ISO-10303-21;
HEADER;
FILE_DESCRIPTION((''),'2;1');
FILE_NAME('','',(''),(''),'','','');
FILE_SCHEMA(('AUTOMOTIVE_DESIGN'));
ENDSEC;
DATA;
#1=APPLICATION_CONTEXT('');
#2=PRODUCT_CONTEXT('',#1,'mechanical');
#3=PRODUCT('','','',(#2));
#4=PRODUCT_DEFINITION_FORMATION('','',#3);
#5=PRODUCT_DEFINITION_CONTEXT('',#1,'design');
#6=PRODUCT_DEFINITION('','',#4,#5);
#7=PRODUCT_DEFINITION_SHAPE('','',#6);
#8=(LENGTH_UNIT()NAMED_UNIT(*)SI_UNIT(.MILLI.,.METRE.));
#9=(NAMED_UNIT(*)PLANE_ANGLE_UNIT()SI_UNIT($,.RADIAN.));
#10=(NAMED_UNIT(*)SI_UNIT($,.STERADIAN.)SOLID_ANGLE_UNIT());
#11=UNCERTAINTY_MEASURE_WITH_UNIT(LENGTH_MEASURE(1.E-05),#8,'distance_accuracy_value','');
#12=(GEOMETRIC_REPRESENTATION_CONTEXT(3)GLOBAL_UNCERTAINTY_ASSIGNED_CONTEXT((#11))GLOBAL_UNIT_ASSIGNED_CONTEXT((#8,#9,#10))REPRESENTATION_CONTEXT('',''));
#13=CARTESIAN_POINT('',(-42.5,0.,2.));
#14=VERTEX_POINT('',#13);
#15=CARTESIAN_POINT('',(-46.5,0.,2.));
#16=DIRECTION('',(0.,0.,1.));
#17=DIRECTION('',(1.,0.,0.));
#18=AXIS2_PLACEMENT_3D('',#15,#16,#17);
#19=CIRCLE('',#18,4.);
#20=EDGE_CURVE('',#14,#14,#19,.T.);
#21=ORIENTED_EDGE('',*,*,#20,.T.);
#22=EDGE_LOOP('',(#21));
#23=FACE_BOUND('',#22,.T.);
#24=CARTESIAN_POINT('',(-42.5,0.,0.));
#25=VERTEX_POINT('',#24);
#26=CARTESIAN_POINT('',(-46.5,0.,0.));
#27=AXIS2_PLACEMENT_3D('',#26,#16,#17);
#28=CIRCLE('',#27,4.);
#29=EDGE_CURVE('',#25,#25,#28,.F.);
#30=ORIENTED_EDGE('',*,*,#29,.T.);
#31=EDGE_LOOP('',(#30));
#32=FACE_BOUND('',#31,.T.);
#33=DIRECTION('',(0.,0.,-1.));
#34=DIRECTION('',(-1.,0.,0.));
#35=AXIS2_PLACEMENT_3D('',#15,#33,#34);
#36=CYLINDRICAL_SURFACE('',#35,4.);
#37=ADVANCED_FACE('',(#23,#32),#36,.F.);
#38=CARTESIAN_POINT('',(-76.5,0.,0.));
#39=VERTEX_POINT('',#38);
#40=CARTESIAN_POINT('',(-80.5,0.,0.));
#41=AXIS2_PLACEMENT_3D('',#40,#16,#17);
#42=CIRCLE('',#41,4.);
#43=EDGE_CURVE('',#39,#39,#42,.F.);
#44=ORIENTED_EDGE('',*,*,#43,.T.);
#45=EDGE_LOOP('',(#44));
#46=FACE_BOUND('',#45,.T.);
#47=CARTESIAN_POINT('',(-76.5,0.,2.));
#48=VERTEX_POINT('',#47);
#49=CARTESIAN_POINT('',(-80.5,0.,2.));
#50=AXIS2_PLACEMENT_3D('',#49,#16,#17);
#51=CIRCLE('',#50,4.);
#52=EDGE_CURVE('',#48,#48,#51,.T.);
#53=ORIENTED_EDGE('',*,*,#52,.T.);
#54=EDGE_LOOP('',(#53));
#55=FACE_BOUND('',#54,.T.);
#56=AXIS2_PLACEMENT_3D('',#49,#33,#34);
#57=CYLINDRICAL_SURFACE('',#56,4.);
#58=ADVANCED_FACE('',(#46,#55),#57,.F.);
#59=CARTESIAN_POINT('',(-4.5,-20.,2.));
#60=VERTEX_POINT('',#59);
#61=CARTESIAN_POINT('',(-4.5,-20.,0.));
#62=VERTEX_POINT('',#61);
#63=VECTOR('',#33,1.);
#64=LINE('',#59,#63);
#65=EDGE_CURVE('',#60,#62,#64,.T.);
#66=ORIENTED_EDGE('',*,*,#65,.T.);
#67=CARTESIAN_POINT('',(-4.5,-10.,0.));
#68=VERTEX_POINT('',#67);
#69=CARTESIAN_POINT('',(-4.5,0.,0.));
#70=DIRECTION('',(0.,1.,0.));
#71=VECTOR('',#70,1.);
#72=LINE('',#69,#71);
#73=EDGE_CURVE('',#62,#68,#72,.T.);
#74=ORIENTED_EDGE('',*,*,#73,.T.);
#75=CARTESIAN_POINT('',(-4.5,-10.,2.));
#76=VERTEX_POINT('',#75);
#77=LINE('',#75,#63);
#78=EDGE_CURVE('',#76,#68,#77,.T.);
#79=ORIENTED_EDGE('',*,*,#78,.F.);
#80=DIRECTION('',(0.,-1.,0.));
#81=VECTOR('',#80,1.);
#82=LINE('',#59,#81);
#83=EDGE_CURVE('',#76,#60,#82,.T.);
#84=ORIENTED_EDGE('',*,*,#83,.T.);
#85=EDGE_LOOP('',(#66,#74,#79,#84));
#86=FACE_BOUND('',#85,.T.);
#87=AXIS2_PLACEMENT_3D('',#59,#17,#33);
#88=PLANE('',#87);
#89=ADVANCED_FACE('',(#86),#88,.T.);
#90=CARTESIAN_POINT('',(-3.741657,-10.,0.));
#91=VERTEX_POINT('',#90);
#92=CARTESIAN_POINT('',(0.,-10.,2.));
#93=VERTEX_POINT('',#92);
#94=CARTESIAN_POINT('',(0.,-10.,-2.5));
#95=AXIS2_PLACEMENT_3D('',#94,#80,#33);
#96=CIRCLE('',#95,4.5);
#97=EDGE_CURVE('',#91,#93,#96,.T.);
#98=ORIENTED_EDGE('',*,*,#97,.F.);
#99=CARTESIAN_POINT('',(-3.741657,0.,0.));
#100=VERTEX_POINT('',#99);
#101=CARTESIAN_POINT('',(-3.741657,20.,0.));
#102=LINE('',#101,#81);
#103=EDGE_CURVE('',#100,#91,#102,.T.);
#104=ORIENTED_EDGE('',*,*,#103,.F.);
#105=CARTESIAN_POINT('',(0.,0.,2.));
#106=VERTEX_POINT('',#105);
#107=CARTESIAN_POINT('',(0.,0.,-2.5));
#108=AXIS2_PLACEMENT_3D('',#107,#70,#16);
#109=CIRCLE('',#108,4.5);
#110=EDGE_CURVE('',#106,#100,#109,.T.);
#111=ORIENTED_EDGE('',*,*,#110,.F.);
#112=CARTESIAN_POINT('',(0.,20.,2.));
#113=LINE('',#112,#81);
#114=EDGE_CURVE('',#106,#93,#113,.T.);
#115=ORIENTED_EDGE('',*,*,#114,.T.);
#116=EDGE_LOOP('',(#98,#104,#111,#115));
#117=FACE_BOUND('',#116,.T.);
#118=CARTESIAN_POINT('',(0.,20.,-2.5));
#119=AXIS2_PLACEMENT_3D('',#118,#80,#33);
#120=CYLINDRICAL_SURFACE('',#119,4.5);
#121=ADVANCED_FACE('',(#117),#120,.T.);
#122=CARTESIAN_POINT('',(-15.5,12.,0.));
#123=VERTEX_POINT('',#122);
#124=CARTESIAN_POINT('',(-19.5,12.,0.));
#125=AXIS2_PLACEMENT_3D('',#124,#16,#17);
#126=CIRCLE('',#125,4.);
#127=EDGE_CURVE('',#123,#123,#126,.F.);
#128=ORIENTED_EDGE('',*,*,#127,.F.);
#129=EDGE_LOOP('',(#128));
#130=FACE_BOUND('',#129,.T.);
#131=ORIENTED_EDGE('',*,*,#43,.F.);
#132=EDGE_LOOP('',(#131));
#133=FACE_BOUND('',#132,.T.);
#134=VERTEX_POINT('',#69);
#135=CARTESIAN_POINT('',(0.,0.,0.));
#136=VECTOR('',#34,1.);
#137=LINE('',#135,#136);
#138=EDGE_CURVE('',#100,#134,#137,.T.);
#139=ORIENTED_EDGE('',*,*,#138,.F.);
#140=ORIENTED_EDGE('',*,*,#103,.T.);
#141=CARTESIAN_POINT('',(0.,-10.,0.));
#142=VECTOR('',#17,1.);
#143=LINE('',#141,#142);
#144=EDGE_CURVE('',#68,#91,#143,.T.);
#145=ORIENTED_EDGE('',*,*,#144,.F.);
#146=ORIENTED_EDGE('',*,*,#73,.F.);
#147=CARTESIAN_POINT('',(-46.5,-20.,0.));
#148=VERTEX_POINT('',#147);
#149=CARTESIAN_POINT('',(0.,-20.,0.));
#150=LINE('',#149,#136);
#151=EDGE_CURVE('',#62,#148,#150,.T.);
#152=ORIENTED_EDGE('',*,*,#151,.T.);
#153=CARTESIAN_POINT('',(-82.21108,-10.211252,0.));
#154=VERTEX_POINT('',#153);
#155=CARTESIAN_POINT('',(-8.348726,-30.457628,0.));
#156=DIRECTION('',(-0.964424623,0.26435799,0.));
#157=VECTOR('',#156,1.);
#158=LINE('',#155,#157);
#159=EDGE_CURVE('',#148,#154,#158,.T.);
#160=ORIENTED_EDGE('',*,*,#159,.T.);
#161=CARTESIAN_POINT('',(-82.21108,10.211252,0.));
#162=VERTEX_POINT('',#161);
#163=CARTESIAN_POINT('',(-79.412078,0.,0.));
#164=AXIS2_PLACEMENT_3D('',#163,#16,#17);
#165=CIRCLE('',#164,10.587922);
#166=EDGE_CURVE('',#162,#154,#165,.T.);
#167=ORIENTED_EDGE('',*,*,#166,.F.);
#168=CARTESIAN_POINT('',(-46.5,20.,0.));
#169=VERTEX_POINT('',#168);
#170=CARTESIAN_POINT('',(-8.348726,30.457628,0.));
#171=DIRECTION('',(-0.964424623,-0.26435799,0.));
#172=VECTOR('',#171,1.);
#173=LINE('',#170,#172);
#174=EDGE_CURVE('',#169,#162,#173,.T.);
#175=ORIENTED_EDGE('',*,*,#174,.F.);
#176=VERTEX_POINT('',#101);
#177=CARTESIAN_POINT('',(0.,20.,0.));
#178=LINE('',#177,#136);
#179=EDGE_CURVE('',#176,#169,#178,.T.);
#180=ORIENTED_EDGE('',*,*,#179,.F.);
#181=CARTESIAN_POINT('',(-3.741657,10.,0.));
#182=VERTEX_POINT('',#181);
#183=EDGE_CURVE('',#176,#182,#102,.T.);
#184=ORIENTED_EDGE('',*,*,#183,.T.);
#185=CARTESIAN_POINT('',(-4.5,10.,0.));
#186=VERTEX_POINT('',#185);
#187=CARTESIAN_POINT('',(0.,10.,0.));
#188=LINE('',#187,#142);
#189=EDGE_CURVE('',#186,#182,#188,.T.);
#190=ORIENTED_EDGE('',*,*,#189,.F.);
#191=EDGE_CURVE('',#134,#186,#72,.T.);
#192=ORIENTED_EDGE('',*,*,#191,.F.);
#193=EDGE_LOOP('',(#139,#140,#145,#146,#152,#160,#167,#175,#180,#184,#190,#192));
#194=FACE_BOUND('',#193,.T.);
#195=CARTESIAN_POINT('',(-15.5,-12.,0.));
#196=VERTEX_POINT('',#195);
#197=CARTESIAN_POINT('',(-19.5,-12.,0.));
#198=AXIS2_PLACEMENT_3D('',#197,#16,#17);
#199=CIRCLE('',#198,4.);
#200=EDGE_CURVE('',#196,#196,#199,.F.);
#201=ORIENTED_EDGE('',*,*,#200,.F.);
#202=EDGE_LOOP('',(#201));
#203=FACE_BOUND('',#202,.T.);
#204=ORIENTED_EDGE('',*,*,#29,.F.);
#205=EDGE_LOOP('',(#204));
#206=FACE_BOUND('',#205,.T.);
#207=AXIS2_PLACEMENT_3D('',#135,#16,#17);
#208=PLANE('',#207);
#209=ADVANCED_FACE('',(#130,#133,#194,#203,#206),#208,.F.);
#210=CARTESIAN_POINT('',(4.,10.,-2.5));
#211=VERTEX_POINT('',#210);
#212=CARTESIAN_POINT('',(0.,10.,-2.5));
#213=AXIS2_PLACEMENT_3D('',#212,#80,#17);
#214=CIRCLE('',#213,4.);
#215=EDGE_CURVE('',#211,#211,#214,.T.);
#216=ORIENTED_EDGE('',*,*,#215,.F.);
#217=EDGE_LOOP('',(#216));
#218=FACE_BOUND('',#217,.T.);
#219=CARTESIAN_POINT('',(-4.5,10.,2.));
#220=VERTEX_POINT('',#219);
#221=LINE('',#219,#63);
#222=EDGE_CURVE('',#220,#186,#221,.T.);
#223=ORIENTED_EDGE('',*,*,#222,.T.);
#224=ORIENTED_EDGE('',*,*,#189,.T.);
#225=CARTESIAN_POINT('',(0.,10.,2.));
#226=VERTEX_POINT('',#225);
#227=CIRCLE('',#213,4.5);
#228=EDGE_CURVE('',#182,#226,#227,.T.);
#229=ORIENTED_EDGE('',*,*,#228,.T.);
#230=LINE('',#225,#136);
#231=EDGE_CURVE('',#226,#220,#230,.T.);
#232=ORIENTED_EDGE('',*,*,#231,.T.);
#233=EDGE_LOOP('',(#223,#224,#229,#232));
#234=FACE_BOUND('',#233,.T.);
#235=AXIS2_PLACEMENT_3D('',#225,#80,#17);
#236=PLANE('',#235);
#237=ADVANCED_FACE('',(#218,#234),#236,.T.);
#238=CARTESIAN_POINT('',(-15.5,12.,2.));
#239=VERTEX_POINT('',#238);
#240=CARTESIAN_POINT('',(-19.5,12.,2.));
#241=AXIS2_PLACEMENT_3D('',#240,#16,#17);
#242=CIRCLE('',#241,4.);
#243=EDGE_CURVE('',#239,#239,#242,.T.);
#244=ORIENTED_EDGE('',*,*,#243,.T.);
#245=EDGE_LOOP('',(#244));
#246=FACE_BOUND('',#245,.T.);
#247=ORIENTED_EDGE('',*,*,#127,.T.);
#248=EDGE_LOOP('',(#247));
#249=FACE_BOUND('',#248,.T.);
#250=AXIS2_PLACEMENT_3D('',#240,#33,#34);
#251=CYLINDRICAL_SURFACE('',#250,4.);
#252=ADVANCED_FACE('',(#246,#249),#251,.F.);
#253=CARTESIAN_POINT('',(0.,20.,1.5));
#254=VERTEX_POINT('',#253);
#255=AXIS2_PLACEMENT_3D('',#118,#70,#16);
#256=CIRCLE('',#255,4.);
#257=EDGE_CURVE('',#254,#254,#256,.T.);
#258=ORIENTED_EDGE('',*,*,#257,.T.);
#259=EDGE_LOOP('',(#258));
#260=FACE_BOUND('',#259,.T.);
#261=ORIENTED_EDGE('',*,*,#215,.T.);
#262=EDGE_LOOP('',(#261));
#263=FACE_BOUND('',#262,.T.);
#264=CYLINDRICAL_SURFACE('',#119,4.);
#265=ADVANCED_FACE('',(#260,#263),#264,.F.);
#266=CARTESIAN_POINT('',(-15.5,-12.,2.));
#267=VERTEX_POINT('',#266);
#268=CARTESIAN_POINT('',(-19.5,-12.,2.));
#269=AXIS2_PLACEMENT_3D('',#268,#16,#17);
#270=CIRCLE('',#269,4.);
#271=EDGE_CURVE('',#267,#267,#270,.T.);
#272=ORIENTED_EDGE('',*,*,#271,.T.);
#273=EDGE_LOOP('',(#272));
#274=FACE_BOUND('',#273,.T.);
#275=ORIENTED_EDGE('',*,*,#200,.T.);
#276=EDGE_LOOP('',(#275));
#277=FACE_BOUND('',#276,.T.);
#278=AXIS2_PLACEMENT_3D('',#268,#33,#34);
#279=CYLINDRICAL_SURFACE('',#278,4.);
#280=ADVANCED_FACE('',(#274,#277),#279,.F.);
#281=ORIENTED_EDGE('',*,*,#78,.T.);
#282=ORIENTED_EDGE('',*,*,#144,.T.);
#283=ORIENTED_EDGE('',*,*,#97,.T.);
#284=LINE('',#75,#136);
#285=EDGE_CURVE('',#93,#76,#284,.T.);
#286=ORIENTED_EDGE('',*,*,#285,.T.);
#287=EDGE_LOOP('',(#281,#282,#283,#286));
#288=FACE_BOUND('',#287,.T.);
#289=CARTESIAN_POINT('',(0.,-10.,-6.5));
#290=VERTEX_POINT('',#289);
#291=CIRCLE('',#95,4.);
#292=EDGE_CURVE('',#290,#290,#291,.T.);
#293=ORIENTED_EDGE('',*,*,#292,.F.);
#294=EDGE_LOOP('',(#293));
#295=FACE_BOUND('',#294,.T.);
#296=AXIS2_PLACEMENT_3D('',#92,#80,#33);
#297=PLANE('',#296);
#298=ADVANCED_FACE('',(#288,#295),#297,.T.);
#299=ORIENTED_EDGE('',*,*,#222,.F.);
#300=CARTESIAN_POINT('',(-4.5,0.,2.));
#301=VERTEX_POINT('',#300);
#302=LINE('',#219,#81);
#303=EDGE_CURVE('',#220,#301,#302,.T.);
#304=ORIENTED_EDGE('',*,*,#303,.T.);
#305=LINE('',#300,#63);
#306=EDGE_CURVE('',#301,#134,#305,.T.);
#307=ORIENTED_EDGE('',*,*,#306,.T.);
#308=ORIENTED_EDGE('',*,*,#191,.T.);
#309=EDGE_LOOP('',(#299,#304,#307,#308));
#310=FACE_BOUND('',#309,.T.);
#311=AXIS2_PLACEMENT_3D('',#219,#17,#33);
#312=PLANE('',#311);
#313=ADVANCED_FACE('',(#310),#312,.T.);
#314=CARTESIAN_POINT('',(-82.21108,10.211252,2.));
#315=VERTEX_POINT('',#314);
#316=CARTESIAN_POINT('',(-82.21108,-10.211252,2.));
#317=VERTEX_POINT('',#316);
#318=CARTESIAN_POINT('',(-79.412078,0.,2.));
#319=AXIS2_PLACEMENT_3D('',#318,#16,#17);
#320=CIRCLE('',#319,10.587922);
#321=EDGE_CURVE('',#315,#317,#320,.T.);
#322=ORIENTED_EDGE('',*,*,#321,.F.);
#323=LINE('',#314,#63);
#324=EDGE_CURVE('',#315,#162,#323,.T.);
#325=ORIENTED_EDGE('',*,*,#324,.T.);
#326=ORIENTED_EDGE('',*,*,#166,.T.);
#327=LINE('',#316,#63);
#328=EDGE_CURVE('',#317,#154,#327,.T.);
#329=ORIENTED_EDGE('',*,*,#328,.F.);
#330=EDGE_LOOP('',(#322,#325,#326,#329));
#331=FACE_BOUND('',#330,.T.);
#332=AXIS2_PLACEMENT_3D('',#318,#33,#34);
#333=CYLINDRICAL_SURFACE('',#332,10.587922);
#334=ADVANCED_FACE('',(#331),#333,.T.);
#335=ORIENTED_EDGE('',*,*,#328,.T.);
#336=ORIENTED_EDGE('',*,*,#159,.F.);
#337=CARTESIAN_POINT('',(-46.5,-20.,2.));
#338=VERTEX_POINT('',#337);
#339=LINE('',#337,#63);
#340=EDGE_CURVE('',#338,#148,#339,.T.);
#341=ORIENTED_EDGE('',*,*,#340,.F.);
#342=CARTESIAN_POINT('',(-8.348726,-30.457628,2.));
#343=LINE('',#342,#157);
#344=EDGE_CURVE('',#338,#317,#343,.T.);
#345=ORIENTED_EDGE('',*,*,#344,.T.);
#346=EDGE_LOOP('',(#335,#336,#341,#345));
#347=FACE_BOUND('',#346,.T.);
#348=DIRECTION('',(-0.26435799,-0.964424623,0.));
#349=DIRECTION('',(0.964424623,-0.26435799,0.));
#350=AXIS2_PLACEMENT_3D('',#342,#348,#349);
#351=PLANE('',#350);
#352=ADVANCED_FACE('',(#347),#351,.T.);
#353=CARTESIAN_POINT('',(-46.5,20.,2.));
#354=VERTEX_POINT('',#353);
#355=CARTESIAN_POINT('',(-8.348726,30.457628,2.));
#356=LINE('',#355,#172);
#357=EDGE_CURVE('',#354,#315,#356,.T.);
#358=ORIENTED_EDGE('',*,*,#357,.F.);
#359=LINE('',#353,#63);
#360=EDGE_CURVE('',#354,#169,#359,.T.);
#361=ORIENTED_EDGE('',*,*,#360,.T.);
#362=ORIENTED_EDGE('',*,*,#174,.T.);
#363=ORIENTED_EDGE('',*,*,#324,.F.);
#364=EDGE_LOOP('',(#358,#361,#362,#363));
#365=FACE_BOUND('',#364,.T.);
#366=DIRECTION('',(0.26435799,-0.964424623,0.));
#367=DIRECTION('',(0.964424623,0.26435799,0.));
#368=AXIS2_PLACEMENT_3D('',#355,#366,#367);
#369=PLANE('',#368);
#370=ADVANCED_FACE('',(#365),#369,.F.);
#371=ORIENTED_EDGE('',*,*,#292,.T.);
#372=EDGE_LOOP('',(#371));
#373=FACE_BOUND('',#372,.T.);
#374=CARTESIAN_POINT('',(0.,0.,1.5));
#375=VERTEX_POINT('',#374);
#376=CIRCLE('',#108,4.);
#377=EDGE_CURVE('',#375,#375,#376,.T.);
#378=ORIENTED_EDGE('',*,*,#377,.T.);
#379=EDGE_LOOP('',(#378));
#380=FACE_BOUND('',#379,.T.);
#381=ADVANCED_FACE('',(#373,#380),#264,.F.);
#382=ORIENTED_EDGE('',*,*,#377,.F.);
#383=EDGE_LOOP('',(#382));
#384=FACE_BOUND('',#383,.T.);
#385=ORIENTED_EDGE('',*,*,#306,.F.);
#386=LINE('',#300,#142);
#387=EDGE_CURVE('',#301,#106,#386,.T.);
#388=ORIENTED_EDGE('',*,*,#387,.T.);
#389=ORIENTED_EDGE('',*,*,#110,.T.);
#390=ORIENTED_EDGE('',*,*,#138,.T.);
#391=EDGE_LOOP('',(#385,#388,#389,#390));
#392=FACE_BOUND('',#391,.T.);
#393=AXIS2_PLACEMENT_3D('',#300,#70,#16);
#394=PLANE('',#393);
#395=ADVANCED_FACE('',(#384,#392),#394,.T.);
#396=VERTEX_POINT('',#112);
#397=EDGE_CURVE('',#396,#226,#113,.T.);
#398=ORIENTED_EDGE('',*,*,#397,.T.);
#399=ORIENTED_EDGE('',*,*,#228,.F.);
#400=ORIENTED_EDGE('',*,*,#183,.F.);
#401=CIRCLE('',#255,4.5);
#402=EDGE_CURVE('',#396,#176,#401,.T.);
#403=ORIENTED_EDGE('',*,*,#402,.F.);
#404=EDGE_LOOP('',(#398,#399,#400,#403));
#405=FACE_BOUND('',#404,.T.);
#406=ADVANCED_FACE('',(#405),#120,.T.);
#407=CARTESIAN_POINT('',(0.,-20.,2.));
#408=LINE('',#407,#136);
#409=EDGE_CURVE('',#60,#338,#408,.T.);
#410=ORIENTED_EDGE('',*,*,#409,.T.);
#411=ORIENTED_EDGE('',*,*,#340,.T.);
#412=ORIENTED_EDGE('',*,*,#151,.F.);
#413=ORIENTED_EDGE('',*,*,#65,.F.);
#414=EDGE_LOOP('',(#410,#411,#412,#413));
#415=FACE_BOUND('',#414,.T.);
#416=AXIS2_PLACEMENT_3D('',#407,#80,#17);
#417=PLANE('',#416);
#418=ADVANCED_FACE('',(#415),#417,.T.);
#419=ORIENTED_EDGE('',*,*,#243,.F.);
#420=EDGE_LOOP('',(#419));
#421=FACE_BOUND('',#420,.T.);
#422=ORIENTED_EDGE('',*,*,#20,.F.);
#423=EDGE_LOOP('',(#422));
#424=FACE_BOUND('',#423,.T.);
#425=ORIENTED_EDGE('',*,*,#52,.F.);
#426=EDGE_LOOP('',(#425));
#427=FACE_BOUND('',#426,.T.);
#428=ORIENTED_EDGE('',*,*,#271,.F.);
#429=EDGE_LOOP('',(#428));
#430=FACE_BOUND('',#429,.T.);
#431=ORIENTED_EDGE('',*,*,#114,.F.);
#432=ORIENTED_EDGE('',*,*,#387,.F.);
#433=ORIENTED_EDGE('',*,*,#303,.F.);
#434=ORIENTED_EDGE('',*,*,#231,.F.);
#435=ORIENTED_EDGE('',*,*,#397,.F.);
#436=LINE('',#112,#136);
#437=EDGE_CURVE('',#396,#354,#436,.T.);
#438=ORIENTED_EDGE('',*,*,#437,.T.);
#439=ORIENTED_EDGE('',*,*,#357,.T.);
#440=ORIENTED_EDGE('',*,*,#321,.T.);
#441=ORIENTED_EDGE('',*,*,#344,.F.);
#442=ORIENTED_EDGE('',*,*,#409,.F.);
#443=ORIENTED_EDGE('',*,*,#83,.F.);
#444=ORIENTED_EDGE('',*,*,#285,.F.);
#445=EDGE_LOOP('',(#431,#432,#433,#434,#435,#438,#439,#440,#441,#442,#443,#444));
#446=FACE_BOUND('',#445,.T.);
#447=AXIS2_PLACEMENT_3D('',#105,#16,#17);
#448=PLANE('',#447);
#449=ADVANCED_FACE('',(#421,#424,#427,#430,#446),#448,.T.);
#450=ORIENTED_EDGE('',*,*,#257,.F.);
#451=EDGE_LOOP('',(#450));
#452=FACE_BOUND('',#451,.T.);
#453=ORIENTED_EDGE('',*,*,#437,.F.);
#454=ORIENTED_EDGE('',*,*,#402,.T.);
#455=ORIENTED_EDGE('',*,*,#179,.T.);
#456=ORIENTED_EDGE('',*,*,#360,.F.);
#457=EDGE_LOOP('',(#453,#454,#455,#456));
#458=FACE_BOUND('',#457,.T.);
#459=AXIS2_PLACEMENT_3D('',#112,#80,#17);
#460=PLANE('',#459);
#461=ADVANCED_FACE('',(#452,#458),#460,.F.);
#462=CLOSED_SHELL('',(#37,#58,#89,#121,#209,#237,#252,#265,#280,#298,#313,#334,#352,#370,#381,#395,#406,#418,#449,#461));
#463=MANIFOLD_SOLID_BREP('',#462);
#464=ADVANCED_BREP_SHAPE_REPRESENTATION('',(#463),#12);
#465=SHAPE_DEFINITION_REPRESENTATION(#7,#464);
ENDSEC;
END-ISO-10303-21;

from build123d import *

# Parameters (mm, degrees)
BOSS_EXTRUDE1_DEPTH     = 2
SKETCH12_R              = 4.5
SKETCH12_R_2            = 4
BOSS_EXTRUDE12_DEPTH    = 20
CUT_EXTRUDE1_DEPTH      = 93.460802506
CUT_EXTRUDE1_DEPTH_BACK = 93.460802506
SKETCH3_R               = 4


with BuildPart() as part:
    # Sketch2 → Boss-Extrude1 (new body)
    with BuildSketch(Plane.XY):
        with BuildLine():
            Line((-4, 20), (-46.5, 20))
            Line((-46.5, 20), (-82.211080106, 10.211252251))
            ThreePointArc((-82.211080106, 10.211252251), (-90, 0), (-82.211080106, -10.211252251))
            Line((-82.211080106, -10.211252251), (-46.5, -20))
            Line((-46.5, -20), (-4, -20))
            Line((-4, -20), (-4, -10))
            Line((-4, -10), (-4, 0))
            Line((-4, 0), (-4, 10))
            Line((-4, 10), (-4, 20))
        make_face()
    extrude(amount=BOSS_EXTRUDE1_DEPTH)

    # Sketch12 → Boss-Extrude12 (add, symmetric)
    # profile 1 of 2: a face of its own
    with BuildSketch(Plane(origin=(0, 0, 0), x_dir=(1, 0, 0), z_dir=(0, 1, 0))):
        with Locations((0, 2.5)):
            Circle(SKETCH12_R)
        with Locations(Location((0, 2.5, 0), (0, 0, 270))):
            Circle(SKETCH12_R_2, mode=Mode.SUBTRACT)
    # profile 2 of 2: a face of its own
    with BuildSketch(Plane(origin=(0, 0, 0), x_dir=(1, 0, 0), z_dir=(0, 1, 0))):
        with BuildLine():
            Line((-4, 0), (-4, -2))
            Line((-4, -2), (0, -2))
            ThreePointArc((0, -2), (-2.121320344, -1.468626967), (-3.741657387, 0))
            Line((-3.741657387, 0), (-4, 0))
        make_face()
    extrude(amount=BOSS_EXTRUDE12_DEPTH, both=True)

    # Sketch3 → Cut-Extrude1 (cut, two sides: drawn at the far end of the back side and taken through both)
    with BuildSketch(Plane.XY.offset(-CUT_EXTRUDE1_DEPTH_BACK)):
        with Locations((-19.5, -12)):
            Circle(SKETCH3_R)
        with Locations((-19.5, 12)):
            Circle(SKETCH3_R)
        with Locations((-46.5, 0)):
            Circle(SKETCH3_R)
        with Locations((-80.5, 0)):
            Circle(SKETCH3_R)
        Polygon((0, 10), (4.5, 10), (4.5, 0), (-4.5, 0), (-4.5, 10), align=None)
        Polygon((0, -10), (4.5, -10), (4.5, -20), (0, -20), (-4.5, -20), (-4.5, -10), align=None)
    extrude(amount=CUT_EXTRUDE1_DEPTH + CUT_EXTRUDE1_DEPTH_BACK, mode=Mode.SUBTRACT)


solid = part.part
